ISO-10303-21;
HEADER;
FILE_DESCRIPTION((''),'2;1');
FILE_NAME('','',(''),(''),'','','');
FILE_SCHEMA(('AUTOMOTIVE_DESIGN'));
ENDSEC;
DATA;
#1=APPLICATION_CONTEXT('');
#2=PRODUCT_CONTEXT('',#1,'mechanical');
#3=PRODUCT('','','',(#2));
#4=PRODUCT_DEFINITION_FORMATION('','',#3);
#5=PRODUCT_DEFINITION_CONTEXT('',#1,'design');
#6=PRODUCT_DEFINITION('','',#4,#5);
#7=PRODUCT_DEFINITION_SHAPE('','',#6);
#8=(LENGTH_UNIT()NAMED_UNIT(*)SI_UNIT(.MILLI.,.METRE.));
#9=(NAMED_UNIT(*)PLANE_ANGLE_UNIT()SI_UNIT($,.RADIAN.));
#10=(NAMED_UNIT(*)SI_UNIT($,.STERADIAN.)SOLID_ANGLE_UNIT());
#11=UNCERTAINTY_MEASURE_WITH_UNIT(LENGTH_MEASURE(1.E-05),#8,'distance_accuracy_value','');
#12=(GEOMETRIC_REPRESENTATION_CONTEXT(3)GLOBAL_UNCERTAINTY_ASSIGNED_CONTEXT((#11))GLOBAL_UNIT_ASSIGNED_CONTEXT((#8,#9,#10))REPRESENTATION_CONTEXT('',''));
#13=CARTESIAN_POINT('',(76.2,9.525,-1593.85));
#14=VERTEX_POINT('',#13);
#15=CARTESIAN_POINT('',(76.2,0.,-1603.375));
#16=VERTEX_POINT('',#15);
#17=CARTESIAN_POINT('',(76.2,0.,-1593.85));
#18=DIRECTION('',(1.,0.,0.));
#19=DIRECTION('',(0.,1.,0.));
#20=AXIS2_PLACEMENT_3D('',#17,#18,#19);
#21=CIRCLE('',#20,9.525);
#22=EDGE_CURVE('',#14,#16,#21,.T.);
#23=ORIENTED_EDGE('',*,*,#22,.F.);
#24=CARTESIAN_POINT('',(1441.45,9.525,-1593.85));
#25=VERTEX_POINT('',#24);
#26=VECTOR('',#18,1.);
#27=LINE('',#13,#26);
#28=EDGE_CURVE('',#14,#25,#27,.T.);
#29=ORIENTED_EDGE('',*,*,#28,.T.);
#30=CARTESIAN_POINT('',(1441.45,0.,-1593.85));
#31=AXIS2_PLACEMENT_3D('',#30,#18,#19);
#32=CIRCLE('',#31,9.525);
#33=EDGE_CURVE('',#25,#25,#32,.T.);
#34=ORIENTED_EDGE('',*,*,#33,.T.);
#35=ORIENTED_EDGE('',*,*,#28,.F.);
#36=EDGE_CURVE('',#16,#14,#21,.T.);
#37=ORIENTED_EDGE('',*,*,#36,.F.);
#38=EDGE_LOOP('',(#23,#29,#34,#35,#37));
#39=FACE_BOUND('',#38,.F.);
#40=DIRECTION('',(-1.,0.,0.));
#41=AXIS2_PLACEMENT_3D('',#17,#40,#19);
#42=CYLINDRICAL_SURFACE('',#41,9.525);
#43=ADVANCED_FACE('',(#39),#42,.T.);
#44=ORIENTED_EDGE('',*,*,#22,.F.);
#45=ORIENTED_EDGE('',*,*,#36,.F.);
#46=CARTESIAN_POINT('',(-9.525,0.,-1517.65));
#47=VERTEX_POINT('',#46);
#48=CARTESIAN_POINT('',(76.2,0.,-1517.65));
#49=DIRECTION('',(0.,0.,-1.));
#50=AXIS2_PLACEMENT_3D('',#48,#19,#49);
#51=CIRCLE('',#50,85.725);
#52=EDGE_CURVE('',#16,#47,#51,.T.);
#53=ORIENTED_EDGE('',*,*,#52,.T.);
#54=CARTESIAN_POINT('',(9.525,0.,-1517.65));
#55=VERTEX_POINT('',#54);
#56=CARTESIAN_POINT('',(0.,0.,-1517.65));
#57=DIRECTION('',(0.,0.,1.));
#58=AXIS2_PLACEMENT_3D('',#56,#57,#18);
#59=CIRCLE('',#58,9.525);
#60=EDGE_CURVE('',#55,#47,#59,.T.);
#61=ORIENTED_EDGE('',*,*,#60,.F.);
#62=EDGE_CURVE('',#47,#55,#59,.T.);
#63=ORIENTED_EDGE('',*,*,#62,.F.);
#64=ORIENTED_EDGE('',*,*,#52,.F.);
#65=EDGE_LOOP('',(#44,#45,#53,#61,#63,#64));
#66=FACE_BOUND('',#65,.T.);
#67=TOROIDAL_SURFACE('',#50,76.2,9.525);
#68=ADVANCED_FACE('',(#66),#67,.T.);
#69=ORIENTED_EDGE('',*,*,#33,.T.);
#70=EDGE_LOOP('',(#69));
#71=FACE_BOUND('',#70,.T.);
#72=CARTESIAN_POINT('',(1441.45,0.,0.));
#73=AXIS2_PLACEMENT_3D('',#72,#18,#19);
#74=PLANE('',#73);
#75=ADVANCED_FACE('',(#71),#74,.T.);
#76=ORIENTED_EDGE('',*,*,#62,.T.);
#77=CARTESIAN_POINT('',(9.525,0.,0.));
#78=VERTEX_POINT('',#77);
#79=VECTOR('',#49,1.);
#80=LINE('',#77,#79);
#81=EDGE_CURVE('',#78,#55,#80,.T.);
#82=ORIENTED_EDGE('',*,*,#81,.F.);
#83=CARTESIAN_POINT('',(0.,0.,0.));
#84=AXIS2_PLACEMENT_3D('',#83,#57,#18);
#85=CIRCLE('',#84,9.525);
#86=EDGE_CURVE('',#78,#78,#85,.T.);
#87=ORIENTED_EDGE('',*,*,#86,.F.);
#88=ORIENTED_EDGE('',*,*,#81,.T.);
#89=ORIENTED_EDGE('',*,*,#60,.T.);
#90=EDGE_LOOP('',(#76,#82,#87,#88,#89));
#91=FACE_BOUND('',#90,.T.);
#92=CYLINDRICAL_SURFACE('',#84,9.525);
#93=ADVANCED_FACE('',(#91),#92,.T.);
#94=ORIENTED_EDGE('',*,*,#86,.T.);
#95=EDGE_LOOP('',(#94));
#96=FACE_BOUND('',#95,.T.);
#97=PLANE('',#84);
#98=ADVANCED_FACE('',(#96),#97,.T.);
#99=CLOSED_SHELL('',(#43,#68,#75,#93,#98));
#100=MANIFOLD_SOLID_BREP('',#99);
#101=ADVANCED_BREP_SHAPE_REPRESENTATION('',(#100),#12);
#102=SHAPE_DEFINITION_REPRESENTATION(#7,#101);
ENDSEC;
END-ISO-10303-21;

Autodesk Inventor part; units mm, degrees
ref_plane "XZ Plane" through (0, 0, 0) normal (0, 1, 0) x (-1, 0, 0)
ref_plane "XY Plane" through (0, 0, 0) normal (0, 0, 1) x (1, 0, 0)
sketch "Sketch2" plane through (0, 0, 0) normal (0, 0, 1) x (1, 0, 0)
  circle A0 centre (0, 0) radius 9.525
  dimension "d3" = 19.05
extrude "Extrusion2" add sketch "Sketch2" against normal blind 1517.65
ref_plane "Work Plane1" through (76.2, 0, 0) normal (1, 0, 0) x (0, 1, 0)
sketch "Sketch9" plane through (76.2, 0, 0) normal (1, 0, 0) x (0, 1, 0)
  line L0 (-9.525, -1517.65) -> (9.525, -1517.65) projected
  circle A0 centre (0, -1593.85) radius 9.525
  line L1 (0, -1517.65) -> (0, -1593.85) construction
  point P0 (0, 0)
  dimension "d17" = 19.05
  dimension "d18" = 76.2
extrude "Extrusion4" add sketch "Sketch9" along normal blind 1365.25
sketch "Sketch11" plane through (0, 0, -1517.65) normal (0, 0, -1) x (-1, 0, 0)
  circle A0 centre (0, 0) radius 9.525 projected
sketch "Sketch12" plane through (0, 0, 0) normal (0, 1, 0) x (-1, 0, 0)
  line L0 (-76.2, -1603.375) -> (-76.2, -1584.325) projected
  line L1 (-9.525, -1517.65) -> (9.525, -1517.65) projected
  arc A0 (-76.2, -1593.85) -> (0, -1517.65) centre (-76.2, -1517.65) ccw
  point P0 (0, 0)
  dimension "d21" = 76.2
sweep "Sweep2" add profiles "Sketch11" path "Sketch12" path curves A0
equation "\"d3\" = tubeD"
equation "\"d17\" = tubeD"
equation "\"d18\" = tubeTurnR"
equation "\"d21\" = tubeTurnR"
equation "\"d4\" = tubeTurnR"
equation "\"wallThick\" = 44.45"
equation "\"roomWidth\" = 3048"
equation "\"roomDepth\" = 3657.6"
equation "\"roomHeight\" = 2438.4"
equation "\"doorWidth\" = 895.35"
equation "\"doorHeight\" = 2108.2"
equation "\"doorX\" = 774.7"
equation "\"doorY\" = 88.9"
equation "\"doorLip\" = 76.2"
equation "\"doorThick\" = 57.15"
equation "\"tubeTurnR\" = 76.2"
equation "\"tubeD\" = 19.05"
properties part number "left_tube_0"
